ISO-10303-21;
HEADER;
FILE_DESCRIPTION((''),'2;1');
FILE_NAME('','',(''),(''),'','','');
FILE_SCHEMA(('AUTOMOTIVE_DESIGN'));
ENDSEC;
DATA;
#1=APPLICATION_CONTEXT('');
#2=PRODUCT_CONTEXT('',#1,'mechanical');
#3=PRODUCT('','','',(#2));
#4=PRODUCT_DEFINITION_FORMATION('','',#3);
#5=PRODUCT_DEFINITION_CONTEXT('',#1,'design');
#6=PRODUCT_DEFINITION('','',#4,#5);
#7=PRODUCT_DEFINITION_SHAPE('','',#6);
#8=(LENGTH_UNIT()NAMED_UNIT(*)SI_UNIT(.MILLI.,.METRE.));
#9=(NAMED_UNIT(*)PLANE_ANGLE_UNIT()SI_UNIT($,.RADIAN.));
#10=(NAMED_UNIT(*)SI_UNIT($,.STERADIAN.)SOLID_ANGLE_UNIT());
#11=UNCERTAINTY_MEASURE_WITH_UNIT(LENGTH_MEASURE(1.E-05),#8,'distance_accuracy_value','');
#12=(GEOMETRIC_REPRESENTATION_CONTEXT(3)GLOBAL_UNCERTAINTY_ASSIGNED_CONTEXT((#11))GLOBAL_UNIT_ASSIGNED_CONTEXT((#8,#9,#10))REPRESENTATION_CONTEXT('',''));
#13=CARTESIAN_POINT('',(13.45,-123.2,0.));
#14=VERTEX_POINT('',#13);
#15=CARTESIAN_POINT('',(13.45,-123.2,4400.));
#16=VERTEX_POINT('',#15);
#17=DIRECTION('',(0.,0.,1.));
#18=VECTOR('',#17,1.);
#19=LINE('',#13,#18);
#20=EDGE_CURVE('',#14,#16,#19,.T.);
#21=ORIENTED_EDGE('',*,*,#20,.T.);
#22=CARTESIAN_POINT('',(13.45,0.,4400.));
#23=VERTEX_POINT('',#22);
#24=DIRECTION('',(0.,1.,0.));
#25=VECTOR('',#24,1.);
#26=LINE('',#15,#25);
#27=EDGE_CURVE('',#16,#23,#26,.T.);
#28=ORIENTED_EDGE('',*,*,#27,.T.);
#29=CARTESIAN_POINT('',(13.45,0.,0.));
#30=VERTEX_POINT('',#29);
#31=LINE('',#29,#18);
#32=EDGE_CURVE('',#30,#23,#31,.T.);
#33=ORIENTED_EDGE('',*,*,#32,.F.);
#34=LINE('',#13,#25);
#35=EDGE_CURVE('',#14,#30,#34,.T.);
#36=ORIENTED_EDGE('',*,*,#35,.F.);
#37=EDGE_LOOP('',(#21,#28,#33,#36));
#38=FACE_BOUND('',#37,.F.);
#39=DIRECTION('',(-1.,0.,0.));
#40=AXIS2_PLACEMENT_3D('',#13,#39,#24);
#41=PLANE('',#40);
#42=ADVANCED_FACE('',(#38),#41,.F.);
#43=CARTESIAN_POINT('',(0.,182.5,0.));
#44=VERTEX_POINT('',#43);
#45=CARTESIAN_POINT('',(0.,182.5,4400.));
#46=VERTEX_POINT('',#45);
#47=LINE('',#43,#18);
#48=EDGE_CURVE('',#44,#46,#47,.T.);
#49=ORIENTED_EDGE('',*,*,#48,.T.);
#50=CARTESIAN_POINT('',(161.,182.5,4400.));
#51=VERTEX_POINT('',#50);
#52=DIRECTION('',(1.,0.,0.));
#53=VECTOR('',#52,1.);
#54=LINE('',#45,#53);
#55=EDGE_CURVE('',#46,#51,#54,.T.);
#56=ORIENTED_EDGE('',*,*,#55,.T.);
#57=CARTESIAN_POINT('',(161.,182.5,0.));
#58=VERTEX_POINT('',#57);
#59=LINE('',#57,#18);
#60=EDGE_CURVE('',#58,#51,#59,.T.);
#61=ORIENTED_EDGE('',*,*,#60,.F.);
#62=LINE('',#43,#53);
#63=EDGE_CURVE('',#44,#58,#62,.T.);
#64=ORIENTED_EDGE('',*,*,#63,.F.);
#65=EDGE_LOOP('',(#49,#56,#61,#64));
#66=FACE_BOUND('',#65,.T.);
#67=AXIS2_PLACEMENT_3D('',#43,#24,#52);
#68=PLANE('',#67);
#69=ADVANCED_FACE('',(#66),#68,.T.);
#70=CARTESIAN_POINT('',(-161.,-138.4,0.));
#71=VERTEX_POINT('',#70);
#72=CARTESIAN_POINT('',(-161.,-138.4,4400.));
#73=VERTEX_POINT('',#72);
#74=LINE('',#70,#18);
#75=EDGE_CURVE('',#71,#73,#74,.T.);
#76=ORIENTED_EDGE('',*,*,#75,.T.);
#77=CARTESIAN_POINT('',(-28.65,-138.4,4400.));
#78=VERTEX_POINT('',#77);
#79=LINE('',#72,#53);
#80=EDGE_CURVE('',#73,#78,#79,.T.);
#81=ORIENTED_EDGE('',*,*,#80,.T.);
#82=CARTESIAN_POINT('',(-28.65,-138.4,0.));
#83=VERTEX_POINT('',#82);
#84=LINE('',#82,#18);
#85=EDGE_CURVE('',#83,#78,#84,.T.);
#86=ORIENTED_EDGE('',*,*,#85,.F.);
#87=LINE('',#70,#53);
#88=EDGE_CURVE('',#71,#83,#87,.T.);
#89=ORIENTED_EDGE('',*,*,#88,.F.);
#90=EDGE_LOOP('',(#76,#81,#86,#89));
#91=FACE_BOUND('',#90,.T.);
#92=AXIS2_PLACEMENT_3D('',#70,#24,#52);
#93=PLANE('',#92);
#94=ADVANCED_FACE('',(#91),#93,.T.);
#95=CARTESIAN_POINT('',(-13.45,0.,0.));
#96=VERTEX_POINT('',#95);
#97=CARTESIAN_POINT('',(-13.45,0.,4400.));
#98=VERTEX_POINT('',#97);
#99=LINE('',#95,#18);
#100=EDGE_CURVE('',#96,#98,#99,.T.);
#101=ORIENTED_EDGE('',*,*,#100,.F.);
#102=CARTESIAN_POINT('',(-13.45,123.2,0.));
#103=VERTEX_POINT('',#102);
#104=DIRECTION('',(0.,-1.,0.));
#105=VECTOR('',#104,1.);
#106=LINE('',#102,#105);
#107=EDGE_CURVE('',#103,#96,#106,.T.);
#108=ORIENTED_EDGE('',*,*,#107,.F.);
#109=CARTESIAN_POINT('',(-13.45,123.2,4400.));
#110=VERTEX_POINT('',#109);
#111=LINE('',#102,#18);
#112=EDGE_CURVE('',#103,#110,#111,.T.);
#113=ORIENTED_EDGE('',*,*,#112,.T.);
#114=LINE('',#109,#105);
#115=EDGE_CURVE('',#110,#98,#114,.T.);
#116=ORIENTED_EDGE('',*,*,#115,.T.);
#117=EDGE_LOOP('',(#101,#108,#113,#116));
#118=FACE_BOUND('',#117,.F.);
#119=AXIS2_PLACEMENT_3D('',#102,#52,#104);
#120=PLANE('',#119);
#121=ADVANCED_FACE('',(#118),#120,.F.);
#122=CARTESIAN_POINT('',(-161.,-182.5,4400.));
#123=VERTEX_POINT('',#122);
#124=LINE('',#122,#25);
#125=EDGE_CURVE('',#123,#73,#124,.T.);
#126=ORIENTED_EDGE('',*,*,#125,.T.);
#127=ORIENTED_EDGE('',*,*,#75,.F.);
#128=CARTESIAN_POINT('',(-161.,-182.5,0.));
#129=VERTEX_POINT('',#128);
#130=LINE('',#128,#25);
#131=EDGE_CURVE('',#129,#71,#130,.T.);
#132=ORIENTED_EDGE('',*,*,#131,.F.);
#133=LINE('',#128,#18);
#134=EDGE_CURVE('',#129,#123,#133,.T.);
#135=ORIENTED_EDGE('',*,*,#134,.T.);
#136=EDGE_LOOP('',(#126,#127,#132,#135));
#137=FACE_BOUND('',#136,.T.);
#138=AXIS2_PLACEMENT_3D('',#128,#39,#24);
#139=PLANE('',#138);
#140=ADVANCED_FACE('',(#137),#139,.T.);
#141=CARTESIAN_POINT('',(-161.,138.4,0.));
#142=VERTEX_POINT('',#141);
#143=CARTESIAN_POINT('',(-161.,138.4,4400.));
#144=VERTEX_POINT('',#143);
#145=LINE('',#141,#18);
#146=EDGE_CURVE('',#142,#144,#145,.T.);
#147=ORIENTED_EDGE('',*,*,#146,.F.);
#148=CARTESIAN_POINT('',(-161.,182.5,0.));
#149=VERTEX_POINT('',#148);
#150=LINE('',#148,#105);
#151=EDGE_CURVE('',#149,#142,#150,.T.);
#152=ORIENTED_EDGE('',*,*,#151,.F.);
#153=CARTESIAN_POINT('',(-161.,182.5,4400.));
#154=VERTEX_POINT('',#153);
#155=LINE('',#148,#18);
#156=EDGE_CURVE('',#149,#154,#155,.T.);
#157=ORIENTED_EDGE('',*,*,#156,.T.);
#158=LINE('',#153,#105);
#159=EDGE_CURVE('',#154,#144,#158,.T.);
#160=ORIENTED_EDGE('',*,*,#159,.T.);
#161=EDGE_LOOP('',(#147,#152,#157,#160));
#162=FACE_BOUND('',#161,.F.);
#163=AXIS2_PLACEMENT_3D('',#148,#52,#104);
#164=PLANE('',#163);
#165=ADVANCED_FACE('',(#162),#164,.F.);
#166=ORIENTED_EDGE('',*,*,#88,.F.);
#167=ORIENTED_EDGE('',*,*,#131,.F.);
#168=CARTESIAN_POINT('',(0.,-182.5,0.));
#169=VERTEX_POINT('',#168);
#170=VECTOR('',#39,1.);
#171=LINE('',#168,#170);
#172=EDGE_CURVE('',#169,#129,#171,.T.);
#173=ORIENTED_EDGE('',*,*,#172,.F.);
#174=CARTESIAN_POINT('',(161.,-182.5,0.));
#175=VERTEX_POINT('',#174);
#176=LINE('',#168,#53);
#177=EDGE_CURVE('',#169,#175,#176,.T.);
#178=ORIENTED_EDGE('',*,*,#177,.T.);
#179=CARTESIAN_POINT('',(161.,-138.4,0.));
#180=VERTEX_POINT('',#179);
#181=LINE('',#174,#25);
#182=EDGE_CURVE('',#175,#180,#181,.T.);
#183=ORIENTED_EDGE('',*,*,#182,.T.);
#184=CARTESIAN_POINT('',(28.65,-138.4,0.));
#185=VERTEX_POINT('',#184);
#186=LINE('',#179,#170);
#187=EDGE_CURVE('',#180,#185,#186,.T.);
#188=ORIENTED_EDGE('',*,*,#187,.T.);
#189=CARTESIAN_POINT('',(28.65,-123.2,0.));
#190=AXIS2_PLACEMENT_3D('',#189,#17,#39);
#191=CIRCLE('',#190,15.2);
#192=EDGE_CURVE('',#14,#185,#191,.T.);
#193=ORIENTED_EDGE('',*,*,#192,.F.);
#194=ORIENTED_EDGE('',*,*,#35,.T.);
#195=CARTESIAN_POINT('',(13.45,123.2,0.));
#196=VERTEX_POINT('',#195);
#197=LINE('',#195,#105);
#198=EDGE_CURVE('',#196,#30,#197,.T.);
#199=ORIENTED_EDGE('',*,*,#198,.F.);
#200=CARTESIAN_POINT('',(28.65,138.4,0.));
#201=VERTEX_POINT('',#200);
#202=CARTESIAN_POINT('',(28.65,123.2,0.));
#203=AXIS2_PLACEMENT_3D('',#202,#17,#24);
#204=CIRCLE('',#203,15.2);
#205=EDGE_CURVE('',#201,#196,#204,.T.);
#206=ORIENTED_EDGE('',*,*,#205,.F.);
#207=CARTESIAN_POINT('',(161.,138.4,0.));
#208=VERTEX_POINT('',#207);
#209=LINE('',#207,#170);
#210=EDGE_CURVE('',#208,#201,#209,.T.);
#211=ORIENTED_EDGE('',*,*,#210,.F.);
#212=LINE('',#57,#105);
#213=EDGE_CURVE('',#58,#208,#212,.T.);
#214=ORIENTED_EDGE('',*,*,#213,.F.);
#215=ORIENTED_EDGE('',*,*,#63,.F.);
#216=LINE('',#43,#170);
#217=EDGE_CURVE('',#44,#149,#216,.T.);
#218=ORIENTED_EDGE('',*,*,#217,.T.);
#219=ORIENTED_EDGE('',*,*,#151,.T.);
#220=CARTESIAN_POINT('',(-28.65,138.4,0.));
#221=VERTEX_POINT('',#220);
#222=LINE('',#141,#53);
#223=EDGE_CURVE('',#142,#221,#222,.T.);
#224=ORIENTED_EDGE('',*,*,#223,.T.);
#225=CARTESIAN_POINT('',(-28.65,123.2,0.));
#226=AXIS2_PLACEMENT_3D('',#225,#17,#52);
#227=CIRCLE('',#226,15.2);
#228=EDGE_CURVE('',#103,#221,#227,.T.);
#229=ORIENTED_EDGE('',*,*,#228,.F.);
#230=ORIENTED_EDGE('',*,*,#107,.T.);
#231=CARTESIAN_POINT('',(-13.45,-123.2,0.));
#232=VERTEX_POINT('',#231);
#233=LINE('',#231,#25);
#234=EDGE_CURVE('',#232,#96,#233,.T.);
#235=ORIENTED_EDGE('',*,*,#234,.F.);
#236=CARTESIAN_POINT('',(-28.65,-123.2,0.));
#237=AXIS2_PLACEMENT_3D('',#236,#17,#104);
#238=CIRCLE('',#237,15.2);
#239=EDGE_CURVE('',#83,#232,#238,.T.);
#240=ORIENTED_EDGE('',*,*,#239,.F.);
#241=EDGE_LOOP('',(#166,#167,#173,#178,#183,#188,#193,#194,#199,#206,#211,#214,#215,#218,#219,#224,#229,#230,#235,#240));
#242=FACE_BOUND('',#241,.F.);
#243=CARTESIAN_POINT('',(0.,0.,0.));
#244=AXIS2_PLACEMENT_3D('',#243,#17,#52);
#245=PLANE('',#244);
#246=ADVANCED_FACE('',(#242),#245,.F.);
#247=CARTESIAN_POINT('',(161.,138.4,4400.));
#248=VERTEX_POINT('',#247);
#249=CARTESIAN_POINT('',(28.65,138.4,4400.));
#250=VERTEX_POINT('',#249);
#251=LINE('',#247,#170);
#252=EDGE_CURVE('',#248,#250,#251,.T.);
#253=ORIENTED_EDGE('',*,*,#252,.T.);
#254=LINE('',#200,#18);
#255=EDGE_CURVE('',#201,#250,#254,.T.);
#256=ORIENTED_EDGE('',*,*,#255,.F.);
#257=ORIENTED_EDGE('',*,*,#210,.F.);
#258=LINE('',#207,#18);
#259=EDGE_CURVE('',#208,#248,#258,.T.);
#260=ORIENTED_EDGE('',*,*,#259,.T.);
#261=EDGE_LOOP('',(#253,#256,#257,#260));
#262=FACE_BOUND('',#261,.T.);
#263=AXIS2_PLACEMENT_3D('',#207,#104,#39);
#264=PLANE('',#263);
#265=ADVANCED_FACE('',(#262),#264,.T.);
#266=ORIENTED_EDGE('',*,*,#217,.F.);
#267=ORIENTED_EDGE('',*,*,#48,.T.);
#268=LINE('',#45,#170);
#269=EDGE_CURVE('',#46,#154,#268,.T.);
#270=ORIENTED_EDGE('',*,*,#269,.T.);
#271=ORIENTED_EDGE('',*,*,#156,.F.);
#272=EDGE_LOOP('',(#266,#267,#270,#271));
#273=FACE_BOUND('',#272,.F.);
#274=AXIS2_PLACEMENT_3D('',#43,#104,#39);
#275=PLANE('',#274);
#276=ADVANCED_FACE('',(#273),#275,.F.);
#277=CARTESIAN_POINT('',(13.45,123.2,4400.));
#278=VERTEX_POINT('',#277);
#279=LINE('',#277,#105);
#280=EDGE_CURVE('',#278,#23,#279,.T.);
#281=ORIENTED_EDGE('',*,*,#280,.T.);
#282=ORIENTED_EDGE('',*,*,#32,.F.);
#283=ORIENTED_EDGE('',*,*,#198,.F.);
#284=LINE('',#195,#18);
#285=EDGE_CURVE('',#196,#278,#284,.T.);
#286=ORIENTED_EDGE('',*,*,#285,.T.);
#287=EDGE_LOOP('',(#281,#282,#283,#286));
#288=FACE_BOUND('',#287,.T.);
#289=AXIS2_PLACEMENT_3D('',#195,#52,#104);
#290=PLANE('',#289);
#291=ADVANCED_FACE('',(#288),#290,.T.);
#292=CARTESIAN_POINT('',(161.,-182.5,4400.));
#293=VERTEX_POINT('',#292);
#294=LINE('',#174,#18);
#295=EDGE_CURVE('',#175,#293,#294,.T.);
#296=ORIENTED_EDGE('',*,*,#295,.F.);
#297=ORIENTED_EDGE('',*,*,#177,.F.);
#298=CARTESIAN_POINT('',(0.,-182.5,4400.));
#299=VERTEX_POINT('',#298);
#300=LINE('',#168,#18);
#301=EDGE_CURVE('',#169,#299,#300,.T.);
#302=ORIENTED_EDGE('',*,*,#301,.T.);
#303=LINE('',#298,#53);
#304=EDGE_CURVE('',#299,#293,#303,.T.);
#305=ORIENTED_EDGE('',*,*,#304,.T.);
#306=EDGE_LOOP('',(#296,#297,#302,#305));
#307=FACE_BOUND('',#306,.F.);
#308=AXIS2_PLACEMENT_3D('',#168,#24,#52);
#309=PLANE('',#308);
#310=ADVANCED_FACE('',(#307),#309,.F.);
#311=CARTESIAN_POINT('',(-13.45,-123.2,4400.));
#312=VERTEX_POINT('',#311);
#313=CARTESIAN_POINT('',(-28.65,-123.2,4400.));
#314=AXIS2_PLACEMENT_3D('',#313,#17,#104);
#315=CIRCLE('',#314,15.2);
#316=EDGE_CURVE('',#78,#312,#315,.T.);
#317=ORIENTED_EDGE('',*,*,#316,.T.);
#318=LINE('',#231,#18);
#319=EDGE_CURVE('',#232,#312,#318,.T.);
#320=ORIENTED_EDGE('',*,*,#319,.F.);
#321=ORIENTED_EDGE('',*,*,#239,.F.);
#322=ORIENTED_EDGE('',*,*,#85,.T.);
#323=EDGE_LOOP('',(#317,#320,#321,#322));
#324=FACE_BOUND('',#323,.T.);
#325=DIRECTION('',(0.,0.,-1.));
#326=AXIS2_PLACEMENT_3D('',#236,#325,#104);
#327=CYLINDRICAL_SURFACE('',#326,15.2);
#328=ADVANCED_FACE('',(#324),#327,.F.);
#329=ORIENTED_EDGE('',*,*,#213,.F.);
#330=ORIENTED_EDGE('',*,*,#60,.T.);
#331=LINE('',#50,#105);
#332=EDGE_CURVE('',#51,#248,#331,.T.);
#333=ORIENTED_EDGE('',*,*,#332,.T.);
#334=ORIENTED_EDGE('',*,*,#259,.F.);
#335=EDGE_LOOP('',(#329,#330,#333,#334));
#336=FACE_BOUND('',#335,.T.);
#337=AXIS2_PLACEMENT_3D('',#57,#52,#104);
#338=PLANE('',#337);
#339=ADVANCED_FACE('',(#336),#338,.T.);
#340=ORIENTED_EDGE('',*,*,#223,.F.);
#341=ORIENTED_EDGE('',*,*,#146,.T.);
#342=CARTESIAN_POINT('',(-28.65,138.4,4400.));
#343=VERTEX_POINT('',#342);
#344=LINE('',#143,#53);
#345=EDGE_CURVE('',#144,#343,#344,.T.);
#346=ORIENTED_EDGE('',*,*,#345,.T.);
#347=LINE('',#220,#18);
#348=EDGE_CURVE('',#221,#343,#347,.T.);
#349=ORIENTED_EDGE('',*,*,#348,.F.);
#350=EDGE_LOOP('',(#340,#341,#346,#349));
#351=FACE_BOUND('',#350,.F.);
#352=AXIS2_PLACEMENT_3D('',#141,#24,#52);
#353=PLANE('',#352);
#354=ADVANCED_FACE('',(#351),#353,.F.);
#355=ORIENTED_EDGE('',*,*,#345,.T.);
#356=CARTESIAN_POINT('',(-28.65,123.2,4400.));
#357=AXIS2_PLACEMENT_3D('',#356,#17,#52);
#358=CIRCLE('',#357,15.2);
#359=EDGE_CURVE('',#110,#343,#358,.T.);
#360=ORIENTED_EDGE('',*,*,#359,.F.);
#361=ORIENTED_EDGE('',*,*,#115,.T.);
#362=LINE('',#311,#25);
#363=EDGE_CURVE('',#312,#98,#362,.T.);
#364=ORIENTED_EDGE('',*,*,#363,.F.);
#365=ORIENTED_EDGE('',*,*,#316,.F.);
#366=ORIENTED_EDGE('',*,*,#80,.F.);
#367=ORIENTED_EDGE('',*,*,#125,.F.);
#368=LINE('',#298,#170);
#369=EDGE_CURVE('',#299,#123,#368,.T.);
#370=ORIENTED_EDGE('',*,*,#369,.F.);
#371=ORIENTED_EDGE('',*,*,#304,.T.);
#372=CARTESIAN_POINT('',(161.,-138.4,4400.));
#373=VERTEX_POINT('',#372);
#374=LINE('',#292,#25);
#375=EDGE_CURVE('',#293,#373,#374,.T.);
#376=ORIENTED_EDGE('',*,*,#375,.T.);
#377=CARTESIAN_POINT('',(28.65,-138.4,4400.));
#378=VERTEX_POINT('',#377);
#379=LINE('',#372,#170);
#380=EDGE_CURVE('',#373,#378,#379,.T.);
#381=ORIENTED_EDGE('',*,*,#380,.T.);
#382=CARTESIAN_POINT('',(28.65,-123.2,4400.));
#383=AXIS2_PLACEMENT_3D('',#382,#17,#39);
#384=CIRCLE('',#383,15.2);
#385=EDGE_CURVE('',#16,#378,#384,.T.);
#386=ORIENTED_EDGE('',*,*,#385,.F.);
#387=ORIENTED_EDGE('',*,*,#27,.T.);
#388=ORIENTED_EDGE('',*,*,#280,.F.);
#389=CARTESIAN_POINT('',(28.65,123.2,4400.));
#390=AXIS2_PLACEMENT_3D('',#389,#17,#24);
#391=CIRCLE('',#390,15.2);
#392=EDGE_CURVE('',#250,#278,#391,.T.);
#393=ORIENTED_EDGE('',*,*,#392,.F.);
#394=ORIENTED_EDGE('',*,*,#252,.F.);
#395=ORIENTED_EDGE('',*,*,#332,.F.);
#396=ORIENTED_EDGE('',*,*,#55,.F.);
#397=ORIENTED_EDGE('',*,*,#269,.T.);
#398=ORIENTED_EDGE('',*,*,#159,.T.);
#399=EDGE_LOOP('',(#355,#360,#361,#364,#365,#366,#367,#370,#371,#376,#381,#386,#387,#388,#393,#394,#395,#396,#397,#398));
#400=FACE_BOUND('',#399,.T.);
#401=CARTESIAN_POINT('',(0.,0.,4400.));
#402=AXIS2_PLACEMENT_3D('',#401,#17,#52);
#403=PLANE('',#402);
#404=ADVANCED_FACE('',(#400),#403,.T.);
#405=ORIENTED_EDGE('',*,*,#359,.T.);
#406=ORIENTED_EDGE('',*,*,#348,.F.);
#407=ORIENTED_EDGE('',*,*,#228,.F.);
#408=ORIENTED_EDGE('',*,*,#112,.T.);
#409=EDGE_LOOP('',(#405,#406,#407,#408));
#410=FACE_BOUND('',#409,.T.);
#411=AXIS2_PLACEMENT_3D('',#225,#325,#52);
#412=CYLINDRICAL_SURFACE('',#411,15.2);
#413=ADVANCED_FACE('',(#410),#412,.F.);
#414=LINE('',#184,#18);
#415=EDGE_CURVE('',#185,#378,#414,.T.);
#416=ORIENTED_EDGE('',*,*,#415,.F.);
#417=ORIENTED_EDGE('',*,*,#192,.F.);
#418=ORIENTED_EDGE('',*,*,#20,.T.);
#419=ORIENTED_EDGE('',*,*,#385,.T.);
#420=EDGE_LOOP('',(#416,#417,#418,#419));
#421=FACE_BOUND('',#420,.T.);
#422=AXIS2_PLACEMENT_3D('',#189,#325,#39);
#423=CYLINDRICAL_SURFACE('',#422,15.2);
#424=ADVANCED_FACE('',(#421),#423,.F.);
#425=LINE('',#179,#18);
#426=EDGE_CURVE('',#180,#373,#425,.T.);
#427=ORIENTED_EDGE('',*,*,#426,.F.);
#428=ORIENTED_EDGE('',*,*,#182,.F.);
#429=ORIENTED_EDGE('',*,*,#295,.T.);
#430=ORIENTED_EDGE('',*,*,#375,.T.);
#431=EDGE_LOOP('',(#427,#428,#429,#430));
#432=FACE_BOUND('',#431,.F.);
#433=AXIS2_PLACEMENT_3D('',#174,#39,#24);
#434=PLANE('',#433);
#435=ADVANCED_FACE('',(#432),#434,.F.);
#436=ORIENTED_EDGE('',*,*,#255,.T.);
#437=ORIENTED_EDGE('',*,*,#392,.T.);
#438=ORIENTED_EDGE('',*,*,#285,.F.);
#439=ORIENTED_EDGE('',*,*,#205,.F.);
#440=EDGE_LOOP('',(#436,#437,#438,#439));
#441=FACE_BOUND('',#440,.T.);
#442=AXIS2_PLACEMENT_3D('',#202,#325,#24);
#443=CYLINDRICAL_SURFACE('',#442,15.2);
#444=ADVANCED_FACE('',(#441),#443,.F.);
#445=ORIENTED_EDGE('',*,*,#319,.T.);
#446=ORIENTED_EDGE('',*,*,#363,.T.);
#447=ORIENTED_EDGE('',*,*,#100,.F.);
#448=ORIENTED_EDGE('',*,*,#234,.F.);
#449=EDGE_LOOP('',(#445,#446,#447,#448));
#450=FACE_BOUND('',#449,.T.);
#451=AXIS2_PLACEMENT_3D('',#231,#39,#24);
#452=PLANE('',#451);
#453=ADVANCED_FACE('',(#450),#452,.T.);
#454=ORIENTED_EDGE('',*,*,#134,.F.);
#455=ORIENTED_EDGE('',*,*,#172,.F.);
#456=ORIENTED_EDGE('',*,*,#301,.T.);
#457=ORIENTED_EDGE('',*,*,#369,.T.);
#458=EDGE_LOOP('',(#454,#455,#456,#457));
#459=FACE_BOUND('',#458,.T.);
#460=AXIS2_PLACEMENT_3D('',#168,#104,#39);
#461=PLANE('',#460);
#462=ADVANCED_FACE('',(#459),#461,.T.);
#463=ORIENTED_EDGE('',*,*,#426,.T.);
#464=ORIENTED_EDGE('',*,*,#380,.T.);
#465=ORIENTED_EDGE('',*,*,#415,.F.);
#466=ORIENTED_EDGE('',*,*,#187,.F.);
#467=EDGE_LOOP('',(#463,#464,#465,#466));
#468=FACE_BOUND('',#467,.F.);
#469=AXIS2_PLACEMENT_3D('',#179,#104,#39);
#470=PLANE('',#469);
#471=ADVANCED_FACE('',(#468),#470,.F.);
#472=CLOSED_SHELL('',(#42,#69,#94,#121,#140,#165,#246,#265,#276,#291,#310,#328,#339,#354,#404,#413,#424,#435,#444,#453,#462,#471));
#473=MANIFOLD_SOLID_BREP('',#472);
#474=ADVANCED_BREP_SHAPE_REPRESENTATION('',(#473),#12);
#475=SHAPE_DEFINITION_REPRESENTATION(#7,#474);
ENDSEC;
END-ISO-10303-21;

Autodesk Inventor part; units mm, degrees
ref_plane "YZ Plane" through (0, 0, 0) normal (1, 0, 0) x (0, 1, 0)
ref_plane "Start plane" through (0, 0, 0) normal (0, 0, 1) x (1, 0, 0)
ref_plane "End plane" through (0, 0, 4400) normal (0, 0, 1) x (1, 0, 0)
sketch "Sketch" plane through (0, 0, 0) normal (0, 0, 1) x (1, 0, 0)
  line L0 (-161, -182.5) -> (-161, -138.4)
  line L1 (-161, -138.4) -> (-28.65, -138.4)
  line L2 (-13.45, -123.2) -> (-13.45, 0)
  line L3 (-13.45, 0) -> (0, 0) construction
  line L4 (0, 0) -> (0, -182.5) construction
  line L5 (0, -182.5) -> (-161, -182.5)
  line L6 (-60, 0) -> (80, 0) construction
  line L7 (0, -60) -> (0, 80) construction
  line L8 (161, -182.5) -> (161, -138.4)
  line L9 (161, -138.4) -> (28.65, -138.4)
  line L10 (13.45, -123.2) -> (13.45, 0)
  line L11 (13.45, 0) -> (0, 0) construction
  line L12 (0, -182.5) -> (161, -182.5)
  line L13 (-161, 182.5) -> (-161, 138.4)
  line L14 (-161, 138.4) -> (-28.65, 138.4)
  line L15 (-13.45, 123.2) -> (-13.45, 0)
  line L16 (0, 182.5) -> (-161, 182.5)
  line L17 (161, 182.5) -> (161, 138.4)
  line L18 (161, 138.4) -> (28.65, 138.4)
  line L19 (0, 182.5) -> (161, 182.5)
  line L20 (13.45, 123.2) -> (13.45, 0)
  arc A0 (-13.45, 123.2) -> (-28.65, 138.4) centre (-28.65, 123.2) ccw
  arc A1 (28.65, 138.4) -> (13.45, 123.2) centre (28.65, 123.2) ccw
  arc A2 (13.45, -123.2) -> (28.65, -138.4) centre (28.65, -123.2) ccw
  arc A3 (-28.65, -138.4) -> (-13.45, -123.2) centre (-28.65, -123.2) ccw
  line L21 (0, 108) -> (0, -88) construction
  line L22 (-88, 0) -> (108, 0) construction
  point P0 (-13.45, -138.4)
  point P1 (13.45, -138.4)
  point P2 (-13.45, 138.4)
  point P3 (13.45, 138.4)
  dimension "d1" = 182.5
  dimension "d2" = 44.1
  dimension "d3" = 161
  dimension "d4" = 13.45
  dimension "d10" = 15.2
extrude "Body" add sketch "Sketch" along normal up to surface (4400 mm away) from surface at 0
sketch "Sketch4" plane through (0, 0, 0) normal (0, 0, 1) x (1, 0, 0)
  line L0 (0, 0) -> (10, 0)
ref_plane "Work Plane3" through (0, 0, 0) normal (0, -1, 0) x (1, 0, 0)
sketch "Sketch5" plane through (0, 0, 0) normal (0, -1, 0) x (1, 0, 0)
  line L0 (-2, 0) -> (12, 0) projected
  line L1 (-2, 4400) -> (12, 4400) projected
  dimension "d14" = 4400
equation "\"d1\" = 0.5 * G_H"
equation "\"d2\" = G_T1"
equation "\"d3\" = 0.5 * G_W"
equation "\"d4\" = 0.5 * G_T"
equation "\"d10\" = G_IR"
equation "\"d5\" = G_L"
equation "\"G_W\" = 322"
equation "\"G_H\" = 365"
equation "\"G_T\" = 26.9"
equation "\"G_T1\" = 44.1"
equation "\"G_IR\" = 15.2"
equation "\"G_L\" = d14"
equation "\"G_OFFSET_START\" = 0"
equation "\"G_OFFSET_END\" = 0"
properties part number "AS 3679 - 310 UC - 283 - 4400" material "Steel, Mild"
